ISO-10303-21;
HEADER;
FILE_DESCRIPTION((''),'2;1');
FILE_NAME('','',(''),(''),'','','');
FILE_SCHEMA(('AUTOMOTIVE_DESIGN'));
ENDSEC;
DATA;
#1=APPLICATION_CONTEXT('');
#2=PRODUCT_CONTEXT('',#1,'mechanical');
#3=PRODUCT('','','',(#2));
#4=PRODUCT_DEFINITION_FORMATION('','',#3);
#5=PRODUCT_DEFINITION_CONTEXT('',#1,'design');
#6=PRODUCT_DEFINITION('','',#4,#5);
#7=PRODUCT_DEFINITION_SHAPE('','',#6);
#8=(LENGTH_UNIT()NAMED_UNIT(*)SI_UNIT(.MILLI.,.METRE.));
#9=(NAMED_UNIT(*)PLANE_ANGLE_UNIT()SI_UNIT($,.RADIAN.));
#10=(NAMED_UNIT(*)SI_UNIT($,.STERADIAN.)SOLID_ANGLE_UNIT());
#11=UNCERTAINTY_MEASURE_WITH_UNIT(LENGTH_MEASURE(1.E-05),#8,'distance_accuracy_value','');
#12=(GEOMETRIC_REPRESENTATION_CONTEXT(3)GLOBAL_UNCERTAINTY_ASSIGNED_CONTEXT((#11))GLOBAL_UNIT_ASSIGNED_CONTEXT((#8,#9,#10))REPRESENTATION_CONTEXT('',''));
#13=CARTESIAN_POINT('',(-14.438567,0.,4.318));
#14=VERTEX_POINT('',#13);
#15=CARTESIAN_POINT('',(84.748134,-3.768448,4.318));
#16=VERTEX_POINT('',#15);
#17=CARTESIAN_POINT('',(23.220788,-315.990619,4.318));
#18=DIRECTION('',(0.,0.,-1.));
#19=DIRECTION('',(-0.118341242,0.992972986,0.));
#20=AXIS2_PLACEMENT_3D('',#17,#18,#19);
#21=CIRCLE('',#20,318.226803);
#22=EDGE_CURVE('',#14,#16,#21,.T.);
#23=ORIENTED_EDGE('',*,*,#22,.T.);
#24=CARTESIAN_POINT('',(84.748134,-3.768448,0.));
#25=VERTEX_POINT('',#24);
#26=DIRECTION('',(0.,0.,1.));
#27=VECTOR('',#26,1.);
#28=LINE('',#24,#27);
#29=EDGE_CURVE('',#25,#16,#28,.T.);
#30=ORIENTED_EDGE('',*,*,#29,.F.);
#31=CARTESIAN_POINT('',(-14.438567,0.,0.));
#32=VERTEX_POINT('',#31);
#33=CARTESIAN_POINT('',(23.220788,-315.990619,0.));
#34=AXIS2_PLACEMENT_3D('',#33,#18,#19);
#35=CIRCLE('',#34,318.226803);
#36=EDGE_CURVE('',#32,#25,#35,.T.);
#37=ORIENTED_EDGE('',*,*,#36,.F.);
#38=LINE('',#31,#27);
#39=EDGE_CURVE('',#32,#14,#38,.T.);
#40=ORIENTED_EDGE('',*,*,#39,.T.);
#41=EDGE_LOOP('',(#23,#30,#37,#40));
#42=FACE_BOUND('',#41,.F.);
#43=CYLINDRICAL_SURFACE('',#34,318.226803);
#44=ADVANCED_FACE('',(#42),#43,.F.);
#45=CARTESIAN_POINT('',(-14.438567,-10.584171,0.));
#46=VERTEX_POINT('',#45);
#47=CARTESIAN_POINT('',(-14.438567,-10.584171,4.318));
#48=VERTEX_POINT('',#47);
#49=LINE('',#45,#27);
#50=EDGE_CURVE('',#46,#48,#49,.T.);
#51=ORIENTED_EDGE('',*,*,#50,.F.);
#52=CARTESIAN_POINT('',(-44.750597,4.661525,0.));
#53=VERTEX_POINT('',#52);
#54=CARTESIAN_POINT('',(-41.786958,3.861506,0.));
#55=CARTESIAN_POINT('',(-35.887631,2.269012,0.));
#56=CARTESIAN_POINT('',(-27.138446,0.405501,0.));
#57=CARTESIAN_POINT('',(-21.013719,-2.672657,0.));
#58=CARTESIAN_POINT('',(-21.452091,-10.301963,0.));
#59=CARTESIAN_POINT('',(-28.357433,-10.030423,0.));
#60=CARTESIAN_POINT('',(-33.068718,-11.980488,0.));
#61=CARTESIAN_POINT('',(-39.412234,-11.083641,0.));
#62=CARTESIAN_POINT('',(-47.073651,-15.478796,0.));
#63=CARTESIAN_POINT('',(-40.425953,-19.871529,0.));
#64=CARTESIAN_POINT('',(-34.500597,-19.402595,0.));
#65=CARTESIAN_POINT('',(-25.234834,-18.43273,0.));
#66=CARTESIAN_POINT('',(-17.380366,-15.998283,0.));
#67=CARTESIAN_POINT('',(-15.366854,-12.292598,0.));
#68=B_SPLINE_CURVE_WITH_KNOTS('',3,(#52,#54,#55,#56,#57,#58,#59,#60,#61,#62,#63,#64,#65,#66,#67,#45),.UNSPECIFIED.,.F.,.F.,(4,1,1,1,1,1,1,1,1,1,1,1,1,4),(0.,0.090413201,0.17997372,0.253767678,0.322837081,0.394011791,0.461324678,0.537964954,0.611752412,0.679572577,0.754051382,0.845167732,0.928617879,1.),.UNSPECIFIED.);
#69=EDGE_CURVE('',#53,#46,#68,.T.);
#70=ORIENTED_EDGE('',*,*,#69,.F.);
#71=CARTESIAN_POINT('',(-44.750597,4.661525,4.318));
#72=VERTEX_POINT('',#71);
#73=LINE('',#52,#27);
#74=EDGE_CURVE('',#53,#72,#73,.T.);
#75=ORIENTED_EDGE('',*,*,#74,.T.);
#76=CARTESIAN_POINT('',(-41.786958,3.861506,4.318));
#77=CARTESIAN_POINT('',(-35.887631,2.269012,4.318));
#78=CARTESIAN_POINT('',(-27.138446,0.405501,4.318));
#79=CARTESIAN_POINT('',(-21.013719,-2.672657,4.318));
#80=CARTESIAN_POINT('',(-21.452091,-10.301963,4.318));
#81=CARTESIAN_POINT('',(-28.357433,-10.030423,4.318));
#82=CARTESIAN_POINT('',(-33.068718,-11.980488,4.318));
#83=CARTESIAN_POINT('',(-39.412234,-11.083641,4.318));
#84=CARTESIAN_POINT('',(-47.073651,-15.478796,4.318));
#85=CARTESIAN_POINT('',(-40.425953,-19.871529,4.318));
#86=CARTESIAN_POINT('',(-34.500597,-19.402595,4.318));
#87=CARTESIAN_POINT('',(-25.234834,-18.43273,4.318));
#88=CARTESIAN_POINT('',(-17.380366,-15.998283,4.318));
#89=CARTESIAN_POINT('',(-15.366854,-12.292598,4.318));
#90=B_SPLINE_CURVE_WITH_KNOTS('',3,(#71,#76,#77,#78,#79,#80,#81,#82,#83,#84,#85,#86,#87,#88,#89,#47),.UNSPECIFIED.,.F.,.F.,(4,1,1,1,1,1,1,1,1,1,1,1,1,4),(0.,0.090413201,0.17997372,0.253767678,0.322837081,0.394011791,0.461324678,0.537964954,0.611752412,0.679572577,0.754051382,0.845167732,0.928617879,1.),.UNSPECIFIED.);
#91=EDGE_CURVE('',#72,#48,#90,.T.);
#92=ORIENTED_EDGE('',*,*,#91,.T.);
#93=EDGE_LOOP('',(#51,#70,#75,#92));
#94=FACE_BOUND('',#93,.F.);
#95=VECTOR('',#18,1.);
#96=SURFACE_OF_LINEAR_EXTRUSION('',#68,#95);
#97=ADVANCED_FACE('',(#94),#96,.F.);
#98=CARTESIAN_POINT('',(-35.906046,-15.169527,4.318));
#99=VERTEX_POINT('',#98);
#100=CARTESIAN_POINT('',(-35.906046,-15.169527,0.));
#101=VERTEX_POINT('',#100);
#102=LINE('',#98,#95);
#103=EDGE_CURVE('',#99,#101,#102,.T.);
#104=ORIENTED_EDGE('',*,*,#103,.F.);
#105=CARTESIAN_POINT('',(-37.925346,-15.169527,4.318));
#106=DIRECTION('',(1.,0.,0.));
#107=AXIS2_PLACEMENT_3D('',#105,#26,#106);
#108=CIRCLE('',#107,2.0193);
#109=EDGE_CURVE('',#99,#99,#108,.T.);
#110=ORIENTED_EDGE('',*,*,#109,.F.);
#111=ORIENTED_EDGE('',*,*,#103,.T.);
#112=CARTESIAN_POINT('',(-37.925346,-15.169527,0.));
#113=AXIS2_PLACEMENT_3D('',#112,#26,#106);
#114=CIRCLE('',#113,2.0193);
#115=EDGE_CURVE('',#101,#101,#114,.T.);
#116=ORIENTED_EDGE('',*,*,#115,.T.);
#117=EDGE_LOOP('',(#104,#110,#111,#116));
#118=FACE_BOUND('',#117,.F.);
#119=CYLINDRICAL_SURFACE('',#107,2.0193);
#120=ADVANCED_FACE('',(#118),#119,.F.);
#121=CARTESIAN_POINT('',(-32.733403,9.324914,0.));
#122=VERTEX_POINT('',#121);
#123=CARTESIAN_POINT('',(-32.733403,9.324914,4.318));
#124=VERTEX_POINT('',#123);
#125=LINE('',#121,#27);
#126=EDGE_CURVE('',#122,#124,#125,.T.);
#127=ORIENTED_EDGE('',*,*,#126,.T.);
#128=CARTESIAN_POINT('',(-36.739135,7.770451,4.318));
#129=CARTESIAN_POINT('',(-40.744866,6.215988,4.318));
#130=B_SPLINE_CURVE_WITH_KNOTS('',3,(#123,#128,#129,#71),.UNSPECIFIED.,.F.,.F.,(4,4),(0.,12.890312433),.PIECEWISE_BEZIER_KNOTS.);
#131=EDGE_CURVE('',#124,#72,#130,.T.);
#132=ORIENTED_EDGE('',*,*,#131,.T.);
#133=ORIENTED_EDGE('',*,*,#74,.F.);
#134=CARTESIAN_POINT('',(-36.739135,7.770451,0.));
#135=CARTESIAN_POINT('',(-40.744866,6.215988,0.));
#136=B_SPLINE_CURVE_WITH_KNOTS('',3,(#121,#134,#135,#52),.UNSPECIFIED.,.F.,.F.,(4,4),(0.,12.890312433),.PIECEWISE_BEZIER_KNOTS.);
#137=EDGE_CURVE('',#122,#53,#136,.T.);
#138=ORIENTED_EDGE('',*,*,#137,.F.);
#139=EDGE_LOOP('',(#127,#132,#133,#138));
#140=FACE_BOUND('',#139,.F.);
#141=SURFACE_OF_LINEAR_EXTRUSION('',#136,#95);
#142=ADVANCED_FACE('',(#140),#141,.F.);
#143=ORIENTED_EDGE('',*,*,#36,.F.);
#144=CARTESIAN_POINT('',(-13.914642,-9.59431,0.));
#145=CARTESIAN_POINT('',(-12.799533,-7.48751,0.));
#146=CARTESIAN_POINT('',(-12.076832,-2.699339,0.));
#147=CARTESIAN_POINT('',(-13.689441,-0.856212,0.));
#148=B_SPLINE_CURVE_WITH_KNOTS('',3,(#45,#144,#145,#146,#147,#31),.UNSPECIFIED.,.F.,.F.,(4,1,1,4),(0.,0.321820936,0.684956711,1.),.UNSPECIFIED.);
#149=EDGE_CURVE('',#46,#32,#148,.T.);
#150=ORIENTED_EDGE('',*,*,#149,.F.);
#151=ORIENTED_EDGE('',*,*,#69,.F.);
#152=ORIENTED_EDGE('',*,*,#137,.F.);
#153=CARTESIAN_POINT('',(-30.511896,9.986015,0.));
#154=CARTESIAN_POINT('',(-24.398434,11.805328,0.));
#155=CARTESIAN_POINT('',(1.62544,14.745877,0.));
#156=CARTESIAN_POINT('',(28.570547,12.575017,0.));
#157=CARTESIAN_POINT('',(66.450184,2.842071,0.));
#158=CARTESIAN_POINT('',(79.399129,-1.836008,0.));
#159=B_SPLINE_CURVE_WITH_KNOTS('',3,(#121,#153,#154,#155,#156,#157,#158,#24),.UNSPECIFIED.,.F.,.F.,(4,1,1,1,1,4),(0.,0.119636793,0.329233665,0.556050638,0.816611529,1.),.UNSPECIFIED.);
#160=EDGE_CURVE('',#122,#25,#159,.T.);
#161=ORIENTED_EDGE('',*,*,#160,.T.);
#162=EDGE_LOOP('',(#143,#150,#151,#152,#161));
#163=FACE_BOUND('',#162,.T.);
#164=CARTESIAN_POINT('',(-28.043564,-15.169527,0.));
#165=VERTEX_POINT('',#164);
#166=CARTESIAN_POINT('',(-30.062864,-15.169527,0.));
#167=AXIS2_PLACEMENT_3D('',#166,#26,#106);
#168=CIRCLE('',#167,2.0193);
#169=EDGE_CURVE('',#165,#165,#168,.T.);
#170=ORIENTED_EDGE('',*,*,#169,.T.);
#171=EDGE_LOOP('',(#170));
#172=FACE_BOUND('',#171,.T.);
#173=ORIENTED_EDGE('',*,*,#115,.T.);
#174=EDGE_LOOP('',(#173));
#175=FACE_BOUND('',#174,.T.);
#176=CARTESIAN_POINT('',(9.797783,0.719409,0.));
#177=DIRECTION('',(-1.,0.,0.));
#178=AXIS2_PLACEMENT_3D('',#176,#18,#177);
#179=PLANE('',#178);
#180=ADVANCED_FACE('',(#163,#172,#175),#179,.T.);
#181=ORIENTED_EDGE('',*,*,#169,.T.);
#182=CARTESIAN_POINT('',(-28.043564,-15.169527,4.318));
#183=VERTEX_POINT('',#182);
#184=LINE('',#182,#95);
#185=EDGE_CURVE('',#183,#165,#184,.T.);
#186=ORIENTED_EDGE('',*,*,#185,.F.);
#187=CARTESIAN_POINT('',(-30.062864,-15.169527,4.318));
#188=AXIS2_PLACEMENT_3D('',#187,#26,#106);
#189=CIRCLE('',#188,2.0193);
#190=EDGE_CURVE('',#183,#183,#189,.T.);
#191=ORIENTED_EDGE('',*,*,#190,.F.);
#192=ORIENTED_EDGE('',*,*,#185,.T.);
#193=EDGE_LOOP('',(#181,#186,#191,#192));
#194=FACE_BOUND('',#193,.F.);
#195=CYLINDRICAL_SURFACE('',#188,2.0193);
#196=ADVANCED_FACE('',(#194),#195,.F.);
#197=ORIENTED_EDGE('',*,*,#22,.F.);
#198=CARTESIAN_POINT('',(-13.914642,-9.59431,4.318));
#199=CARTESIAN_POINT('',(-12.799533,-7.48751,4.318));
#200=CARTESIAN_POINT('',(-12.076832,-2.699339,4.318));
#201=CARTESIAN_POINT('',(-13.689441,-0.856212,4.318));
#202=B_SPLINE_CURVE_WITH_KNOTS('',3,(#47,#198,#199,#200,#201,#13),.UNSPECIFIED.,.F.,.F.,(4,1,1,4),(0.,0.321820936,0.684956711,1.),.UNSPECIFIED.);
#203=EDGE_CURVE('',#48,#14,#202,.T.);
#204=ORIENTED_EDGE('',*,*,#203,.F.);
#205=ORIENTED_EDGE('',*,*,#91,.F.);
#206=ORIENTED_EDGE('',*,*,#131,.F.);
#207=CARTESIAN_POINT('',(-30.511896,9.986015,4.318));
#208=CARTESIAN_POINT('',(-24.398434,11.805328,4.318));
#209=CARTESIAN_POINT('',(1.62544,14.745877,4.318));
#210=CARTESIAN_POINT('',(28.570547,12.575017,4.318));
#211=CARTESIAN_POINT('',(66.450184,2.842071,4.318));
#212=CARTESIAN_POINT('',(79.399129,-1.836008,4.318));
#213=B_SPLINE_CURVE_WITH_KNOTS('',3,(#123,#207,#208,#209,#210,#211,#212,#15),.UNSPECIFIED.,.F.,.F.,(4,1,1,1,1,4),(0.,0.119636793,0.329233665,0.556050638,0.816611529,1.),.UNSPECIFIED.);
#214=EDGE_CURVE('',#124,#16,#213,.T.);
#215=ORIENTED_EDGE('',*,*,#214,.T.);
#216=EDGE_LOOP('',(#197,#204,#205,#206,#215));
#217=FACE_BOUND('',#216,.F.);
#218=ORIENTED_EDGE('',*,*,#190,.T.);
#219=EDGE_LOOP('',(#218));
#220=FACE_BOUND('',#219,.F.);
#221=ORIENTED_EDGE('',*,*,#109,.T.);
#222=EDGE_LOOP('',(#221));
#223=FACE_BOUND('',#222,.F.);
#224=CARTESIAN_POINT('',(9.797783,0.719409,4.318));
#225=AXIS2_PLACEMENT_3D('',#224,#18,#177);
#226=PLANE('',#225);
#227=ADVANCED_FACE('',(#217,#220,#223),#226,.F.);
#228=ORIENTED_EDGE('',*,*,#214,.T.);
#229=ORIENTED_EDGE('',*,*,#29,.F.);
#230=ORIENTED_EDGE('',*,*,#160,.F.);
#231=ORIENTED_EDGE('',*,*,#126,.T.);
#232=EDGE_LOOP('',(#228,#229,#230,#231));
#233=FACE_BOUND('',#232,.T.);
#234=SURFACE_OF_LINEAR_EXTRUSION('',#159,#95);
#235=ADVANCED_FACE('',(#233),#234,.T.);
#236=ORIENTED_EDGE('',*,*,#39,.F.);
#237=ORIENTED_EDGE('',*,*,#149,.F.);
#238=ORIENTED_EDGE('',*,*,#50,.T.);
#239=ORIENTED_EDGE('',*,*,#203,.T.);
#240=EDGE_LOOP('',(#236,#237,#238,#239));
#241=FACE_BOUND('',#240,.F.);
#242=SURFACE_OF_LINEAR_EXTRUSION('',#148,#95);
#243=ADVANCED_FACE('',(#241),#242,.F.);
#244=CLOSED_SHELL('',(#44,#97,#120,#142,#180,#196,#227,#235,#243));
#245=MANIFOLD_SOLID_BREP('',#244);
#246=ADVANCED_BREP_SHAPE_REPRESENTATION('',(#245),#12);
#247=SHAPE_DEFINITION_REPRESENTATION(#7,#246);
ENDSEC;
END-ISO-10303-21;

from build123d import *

# Parameters (mm, degrees)
F1_DEPTH = 4.318
F2_R     = 2.0193
F3_DEPTH = 43.18


with BuildPart() as f1:
    # F0 (on Top) → F1 (new body)
    with BuildSketch(Plane.XY):
        with BuildLine():
            add(Edge.make_bspline(
                [(-32.7334031463, 9.3249138445), (-30.5118957807, 9.9860151356), (-24.3984335768, 11.8053283724), (1.6254396763, 14.7458770901), (28.5705469324, 12.5750165565), (66.4501839033, 2.8420712634), (79.3991291932, -1.8360075377), (84.748134017, -3.7684480194)],
                knots=[0, 0, 0, 0, 0.1196367931, 0.3292336655, 0.5560506384, 0.8166115291, 1, 1, 1, 1], degree=3))
            add(Edge.make_bspline(
                [(-32.7334031463, 9.3249138445), (-36.7391345402, 7.7704507858), (-40.7448659341, 6.215987727), (-44.7505973279, 4.6615246683)],
                knots=[0, 0, 0, 0, 12.8903124325, 12.8903124325, 12.8903124325, 12.8903124325], degree=3))
            add(Edge.make_bspline(
                [(-44.7505973279, 4.6615246683), (-41.7869584767, 3.861505633), (-35.8876306761, 2.2690124943), (-27.1384464384, 0.4055006525), (-21.0137193049, -2.6726572407), (-21.4520912193, -10.3019632632), (-28.3574325891, -10.0304229156), (-33.068718258, -11.9804882325), (-39.4122343095, -11.0836407475), (-47.0736507182, -15.4787957336), (-40.4259530789, -19.8715286738), (-34.5005974511, -19.4025947979), (-25.2348343756, -18.4327303415), (-17.38036628, -15.9982829374), (-15.3668538112, -12.2925980566), (-14.4385667518, -10.5841709301)],
                knots=[0, 0, 0, 0, 0.0904132009, 0.1799737203, 0.2537676784, 0.3228370813, 0.3940117912, 0.4613246784, 0.537964954, 0.6117524123, 0.6795725769, 0.7540513819, 0.8451677322, 0.928617879, 1, 1, 1, 1], degree=3))
            add(Edge.make_bspline(
                [(-14.4385667518, -10.5841709301), (-13.9146423693, -9.5943096369), (-12.7995330602, -7.487510298), (-12.076831518, -2.6993389389), (-13.6894406034, -0.8562117182), (-14.4385667518, 0)],
                knots=[0, 0, 0, 0, 0.3218209363, 0.6849567111, 1, 1, 1, 1], degree=3))
            ThreePointArc((-14.4385667518, 0), (35.3026153441, 2.0067517056), (84.748134017, -3.7684480194))
        make_face()
    extrude(amount=F1_DEPTH)

    # F2 (on face) → F3 (cut)
    with BuildSketch(Plane.XY.offset(4.318)):
        with Locations((-37.9253455085, -15.1695273817)):
            Circle(F2_R)
        with Locations((-30.0628639179, -15.1695273817)):
            Circle(F2_R)
    extrude(amount=-F3_DEPTH, mode=Mode.SUBTRACT)


solid = f1.part
